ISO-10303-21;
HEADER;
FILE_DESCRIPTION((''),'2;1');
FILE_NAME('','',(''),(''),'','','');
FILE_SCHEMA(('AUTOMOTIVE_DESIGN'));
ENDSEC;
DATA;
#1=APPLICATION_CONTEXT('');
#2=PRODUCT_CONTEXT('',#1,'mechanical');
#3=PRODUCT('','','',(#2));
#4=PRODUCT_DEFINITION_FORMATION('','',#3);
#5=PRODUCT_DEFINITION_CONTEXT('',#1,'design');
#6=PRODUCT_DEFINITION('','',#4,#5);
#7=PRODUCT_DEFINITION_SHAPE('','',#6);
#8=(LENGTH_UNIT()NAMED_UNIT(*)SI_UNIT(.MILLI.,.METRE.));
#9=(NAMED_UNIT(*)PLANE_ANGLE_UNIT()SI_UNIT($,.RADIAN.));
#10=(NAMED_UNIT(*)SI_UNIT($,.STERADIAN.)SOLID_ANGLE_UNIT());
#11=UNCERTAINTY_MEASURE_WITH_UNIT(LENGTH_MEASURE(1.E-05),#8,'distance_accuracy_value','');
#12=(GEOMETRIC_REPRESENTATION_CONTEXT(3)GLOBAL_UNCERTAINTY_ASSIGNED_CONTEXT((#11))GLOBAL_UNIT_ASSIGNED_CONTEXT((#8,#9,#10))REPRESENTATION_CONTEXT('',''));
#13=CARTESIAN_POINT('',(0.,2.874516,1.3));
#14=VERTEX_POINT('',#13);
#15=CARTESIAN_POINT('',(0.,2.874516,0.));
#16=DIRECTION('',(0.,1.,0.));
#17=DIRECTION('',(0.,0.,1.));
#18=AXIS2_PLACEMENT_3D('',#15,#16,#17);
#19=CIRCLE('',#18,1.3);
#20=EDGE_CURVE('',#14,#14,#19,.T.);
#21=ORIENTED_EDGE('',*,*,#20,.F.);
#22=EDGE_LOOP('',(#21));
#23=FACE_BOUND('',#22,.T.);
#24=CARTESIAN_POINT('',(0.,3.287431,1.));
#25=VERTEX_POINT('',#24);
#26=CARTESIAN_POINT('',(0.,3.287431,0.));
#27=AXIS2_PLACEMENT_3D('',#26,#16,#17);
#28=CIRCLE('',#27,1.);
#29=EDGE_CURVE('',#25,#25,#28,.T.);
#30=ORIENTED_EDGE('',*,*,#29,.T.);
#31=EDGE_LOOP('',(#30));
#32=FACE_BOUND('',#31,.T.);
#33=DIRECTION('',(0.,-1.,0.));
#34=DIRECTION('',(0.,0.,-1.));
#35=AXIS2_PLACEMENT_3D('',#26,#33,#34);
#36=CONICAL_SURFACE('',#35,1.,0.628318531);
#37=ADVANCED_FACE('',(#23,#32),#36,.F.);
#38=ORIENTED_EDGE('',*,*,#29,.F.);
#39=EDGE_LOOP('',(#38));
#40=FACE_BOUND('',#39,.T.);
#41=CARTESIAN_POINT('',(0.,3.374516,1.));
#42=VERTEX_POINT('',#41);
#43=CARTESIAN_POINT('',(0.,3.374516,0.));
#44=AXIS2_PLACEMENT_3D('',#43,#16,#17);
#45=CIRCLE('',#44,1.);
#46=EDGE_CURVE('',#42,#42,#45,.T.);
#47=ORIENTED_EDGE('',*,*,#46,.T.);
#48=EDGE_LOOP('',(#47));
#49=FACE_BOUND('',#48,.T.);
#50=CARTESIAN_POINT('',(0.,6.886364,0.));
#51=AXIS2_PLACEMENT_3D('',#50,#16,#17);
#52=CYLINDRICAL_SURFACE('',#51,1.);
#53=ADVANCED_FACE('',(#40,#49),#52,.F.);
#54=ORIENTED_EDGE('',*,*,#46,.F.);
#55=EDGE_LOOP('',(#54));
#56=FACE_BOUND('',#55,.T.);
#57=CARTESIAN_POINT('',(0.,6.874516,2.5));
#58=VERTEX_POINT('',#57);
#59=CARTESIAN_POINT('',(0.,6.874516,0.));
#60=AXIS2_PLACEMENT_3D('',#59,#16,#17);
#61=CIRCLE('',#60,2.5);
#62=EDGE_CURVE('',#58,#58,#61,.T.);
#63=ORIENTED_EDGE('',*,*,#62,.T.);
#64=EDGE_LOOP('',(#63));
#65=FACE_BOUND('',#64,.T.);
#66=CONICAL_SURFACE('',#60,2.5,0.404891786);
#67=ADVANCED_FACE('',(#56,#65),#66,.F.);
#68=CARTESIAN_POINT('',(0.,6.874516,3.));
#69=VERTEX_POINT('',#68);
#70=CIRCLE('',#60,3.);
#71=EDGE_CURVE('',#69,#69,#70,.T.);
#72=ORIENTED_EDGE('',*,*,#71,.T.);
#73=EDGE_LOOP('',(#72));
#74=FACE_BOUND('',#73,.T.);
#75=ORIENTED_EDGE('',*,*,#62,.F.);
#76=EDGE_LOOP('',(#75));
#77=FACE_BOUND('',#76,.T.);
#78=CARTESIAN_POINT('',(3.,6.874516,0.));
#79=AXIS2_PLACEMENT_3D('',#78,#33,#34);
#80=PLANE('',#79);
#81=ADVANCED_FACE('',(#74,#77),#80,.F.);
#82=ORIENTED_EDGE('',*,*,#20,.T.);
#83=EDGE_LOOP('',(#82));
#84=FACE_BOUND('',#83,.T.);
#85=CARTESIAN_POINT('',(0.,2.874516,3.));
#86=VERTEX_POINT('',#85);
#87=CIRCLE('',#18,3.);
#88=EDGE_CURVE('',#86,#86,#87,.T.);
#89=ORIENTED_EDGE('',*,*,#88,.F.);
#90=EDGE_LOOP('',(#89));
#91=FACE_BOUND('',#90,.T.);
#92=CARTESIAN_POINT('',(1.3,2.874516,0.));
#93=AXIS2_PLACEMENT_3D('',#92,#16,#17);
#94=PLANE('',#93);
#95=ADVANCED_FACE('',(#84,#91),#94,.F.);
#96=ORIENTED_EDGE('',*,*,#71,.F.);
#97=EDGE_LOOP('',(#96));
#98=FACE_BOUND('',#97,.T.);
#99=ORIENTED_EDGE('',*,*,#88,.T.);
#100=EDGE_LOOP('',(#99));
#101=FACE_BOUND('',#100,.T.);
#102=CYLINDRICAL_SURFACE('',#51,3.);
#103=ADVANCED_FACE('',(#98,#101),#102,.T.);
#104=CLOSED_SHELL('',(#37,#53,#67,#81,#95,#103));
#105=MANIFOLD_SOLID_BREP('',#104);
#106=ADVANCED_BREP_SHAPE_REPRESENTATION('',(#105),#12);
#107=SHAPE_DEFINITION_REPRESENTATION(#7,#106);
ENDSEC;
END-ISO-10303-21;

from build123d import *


with BuildPart() as part:
    # Croquis1 → Revolución2 (revolve)
    with BuildSketch(Plane.XY):
        Polygon((1.3, 2.874516361), (3, 2.874516361), (3, 6.874516361), (2.5, 6.874516361), (1, 3.374516361), (1, 3.287430937), align=None)
    revolve(axis=Axis((0, 6.886363636, 0), (0, -1, 0)))


solid = part.part
